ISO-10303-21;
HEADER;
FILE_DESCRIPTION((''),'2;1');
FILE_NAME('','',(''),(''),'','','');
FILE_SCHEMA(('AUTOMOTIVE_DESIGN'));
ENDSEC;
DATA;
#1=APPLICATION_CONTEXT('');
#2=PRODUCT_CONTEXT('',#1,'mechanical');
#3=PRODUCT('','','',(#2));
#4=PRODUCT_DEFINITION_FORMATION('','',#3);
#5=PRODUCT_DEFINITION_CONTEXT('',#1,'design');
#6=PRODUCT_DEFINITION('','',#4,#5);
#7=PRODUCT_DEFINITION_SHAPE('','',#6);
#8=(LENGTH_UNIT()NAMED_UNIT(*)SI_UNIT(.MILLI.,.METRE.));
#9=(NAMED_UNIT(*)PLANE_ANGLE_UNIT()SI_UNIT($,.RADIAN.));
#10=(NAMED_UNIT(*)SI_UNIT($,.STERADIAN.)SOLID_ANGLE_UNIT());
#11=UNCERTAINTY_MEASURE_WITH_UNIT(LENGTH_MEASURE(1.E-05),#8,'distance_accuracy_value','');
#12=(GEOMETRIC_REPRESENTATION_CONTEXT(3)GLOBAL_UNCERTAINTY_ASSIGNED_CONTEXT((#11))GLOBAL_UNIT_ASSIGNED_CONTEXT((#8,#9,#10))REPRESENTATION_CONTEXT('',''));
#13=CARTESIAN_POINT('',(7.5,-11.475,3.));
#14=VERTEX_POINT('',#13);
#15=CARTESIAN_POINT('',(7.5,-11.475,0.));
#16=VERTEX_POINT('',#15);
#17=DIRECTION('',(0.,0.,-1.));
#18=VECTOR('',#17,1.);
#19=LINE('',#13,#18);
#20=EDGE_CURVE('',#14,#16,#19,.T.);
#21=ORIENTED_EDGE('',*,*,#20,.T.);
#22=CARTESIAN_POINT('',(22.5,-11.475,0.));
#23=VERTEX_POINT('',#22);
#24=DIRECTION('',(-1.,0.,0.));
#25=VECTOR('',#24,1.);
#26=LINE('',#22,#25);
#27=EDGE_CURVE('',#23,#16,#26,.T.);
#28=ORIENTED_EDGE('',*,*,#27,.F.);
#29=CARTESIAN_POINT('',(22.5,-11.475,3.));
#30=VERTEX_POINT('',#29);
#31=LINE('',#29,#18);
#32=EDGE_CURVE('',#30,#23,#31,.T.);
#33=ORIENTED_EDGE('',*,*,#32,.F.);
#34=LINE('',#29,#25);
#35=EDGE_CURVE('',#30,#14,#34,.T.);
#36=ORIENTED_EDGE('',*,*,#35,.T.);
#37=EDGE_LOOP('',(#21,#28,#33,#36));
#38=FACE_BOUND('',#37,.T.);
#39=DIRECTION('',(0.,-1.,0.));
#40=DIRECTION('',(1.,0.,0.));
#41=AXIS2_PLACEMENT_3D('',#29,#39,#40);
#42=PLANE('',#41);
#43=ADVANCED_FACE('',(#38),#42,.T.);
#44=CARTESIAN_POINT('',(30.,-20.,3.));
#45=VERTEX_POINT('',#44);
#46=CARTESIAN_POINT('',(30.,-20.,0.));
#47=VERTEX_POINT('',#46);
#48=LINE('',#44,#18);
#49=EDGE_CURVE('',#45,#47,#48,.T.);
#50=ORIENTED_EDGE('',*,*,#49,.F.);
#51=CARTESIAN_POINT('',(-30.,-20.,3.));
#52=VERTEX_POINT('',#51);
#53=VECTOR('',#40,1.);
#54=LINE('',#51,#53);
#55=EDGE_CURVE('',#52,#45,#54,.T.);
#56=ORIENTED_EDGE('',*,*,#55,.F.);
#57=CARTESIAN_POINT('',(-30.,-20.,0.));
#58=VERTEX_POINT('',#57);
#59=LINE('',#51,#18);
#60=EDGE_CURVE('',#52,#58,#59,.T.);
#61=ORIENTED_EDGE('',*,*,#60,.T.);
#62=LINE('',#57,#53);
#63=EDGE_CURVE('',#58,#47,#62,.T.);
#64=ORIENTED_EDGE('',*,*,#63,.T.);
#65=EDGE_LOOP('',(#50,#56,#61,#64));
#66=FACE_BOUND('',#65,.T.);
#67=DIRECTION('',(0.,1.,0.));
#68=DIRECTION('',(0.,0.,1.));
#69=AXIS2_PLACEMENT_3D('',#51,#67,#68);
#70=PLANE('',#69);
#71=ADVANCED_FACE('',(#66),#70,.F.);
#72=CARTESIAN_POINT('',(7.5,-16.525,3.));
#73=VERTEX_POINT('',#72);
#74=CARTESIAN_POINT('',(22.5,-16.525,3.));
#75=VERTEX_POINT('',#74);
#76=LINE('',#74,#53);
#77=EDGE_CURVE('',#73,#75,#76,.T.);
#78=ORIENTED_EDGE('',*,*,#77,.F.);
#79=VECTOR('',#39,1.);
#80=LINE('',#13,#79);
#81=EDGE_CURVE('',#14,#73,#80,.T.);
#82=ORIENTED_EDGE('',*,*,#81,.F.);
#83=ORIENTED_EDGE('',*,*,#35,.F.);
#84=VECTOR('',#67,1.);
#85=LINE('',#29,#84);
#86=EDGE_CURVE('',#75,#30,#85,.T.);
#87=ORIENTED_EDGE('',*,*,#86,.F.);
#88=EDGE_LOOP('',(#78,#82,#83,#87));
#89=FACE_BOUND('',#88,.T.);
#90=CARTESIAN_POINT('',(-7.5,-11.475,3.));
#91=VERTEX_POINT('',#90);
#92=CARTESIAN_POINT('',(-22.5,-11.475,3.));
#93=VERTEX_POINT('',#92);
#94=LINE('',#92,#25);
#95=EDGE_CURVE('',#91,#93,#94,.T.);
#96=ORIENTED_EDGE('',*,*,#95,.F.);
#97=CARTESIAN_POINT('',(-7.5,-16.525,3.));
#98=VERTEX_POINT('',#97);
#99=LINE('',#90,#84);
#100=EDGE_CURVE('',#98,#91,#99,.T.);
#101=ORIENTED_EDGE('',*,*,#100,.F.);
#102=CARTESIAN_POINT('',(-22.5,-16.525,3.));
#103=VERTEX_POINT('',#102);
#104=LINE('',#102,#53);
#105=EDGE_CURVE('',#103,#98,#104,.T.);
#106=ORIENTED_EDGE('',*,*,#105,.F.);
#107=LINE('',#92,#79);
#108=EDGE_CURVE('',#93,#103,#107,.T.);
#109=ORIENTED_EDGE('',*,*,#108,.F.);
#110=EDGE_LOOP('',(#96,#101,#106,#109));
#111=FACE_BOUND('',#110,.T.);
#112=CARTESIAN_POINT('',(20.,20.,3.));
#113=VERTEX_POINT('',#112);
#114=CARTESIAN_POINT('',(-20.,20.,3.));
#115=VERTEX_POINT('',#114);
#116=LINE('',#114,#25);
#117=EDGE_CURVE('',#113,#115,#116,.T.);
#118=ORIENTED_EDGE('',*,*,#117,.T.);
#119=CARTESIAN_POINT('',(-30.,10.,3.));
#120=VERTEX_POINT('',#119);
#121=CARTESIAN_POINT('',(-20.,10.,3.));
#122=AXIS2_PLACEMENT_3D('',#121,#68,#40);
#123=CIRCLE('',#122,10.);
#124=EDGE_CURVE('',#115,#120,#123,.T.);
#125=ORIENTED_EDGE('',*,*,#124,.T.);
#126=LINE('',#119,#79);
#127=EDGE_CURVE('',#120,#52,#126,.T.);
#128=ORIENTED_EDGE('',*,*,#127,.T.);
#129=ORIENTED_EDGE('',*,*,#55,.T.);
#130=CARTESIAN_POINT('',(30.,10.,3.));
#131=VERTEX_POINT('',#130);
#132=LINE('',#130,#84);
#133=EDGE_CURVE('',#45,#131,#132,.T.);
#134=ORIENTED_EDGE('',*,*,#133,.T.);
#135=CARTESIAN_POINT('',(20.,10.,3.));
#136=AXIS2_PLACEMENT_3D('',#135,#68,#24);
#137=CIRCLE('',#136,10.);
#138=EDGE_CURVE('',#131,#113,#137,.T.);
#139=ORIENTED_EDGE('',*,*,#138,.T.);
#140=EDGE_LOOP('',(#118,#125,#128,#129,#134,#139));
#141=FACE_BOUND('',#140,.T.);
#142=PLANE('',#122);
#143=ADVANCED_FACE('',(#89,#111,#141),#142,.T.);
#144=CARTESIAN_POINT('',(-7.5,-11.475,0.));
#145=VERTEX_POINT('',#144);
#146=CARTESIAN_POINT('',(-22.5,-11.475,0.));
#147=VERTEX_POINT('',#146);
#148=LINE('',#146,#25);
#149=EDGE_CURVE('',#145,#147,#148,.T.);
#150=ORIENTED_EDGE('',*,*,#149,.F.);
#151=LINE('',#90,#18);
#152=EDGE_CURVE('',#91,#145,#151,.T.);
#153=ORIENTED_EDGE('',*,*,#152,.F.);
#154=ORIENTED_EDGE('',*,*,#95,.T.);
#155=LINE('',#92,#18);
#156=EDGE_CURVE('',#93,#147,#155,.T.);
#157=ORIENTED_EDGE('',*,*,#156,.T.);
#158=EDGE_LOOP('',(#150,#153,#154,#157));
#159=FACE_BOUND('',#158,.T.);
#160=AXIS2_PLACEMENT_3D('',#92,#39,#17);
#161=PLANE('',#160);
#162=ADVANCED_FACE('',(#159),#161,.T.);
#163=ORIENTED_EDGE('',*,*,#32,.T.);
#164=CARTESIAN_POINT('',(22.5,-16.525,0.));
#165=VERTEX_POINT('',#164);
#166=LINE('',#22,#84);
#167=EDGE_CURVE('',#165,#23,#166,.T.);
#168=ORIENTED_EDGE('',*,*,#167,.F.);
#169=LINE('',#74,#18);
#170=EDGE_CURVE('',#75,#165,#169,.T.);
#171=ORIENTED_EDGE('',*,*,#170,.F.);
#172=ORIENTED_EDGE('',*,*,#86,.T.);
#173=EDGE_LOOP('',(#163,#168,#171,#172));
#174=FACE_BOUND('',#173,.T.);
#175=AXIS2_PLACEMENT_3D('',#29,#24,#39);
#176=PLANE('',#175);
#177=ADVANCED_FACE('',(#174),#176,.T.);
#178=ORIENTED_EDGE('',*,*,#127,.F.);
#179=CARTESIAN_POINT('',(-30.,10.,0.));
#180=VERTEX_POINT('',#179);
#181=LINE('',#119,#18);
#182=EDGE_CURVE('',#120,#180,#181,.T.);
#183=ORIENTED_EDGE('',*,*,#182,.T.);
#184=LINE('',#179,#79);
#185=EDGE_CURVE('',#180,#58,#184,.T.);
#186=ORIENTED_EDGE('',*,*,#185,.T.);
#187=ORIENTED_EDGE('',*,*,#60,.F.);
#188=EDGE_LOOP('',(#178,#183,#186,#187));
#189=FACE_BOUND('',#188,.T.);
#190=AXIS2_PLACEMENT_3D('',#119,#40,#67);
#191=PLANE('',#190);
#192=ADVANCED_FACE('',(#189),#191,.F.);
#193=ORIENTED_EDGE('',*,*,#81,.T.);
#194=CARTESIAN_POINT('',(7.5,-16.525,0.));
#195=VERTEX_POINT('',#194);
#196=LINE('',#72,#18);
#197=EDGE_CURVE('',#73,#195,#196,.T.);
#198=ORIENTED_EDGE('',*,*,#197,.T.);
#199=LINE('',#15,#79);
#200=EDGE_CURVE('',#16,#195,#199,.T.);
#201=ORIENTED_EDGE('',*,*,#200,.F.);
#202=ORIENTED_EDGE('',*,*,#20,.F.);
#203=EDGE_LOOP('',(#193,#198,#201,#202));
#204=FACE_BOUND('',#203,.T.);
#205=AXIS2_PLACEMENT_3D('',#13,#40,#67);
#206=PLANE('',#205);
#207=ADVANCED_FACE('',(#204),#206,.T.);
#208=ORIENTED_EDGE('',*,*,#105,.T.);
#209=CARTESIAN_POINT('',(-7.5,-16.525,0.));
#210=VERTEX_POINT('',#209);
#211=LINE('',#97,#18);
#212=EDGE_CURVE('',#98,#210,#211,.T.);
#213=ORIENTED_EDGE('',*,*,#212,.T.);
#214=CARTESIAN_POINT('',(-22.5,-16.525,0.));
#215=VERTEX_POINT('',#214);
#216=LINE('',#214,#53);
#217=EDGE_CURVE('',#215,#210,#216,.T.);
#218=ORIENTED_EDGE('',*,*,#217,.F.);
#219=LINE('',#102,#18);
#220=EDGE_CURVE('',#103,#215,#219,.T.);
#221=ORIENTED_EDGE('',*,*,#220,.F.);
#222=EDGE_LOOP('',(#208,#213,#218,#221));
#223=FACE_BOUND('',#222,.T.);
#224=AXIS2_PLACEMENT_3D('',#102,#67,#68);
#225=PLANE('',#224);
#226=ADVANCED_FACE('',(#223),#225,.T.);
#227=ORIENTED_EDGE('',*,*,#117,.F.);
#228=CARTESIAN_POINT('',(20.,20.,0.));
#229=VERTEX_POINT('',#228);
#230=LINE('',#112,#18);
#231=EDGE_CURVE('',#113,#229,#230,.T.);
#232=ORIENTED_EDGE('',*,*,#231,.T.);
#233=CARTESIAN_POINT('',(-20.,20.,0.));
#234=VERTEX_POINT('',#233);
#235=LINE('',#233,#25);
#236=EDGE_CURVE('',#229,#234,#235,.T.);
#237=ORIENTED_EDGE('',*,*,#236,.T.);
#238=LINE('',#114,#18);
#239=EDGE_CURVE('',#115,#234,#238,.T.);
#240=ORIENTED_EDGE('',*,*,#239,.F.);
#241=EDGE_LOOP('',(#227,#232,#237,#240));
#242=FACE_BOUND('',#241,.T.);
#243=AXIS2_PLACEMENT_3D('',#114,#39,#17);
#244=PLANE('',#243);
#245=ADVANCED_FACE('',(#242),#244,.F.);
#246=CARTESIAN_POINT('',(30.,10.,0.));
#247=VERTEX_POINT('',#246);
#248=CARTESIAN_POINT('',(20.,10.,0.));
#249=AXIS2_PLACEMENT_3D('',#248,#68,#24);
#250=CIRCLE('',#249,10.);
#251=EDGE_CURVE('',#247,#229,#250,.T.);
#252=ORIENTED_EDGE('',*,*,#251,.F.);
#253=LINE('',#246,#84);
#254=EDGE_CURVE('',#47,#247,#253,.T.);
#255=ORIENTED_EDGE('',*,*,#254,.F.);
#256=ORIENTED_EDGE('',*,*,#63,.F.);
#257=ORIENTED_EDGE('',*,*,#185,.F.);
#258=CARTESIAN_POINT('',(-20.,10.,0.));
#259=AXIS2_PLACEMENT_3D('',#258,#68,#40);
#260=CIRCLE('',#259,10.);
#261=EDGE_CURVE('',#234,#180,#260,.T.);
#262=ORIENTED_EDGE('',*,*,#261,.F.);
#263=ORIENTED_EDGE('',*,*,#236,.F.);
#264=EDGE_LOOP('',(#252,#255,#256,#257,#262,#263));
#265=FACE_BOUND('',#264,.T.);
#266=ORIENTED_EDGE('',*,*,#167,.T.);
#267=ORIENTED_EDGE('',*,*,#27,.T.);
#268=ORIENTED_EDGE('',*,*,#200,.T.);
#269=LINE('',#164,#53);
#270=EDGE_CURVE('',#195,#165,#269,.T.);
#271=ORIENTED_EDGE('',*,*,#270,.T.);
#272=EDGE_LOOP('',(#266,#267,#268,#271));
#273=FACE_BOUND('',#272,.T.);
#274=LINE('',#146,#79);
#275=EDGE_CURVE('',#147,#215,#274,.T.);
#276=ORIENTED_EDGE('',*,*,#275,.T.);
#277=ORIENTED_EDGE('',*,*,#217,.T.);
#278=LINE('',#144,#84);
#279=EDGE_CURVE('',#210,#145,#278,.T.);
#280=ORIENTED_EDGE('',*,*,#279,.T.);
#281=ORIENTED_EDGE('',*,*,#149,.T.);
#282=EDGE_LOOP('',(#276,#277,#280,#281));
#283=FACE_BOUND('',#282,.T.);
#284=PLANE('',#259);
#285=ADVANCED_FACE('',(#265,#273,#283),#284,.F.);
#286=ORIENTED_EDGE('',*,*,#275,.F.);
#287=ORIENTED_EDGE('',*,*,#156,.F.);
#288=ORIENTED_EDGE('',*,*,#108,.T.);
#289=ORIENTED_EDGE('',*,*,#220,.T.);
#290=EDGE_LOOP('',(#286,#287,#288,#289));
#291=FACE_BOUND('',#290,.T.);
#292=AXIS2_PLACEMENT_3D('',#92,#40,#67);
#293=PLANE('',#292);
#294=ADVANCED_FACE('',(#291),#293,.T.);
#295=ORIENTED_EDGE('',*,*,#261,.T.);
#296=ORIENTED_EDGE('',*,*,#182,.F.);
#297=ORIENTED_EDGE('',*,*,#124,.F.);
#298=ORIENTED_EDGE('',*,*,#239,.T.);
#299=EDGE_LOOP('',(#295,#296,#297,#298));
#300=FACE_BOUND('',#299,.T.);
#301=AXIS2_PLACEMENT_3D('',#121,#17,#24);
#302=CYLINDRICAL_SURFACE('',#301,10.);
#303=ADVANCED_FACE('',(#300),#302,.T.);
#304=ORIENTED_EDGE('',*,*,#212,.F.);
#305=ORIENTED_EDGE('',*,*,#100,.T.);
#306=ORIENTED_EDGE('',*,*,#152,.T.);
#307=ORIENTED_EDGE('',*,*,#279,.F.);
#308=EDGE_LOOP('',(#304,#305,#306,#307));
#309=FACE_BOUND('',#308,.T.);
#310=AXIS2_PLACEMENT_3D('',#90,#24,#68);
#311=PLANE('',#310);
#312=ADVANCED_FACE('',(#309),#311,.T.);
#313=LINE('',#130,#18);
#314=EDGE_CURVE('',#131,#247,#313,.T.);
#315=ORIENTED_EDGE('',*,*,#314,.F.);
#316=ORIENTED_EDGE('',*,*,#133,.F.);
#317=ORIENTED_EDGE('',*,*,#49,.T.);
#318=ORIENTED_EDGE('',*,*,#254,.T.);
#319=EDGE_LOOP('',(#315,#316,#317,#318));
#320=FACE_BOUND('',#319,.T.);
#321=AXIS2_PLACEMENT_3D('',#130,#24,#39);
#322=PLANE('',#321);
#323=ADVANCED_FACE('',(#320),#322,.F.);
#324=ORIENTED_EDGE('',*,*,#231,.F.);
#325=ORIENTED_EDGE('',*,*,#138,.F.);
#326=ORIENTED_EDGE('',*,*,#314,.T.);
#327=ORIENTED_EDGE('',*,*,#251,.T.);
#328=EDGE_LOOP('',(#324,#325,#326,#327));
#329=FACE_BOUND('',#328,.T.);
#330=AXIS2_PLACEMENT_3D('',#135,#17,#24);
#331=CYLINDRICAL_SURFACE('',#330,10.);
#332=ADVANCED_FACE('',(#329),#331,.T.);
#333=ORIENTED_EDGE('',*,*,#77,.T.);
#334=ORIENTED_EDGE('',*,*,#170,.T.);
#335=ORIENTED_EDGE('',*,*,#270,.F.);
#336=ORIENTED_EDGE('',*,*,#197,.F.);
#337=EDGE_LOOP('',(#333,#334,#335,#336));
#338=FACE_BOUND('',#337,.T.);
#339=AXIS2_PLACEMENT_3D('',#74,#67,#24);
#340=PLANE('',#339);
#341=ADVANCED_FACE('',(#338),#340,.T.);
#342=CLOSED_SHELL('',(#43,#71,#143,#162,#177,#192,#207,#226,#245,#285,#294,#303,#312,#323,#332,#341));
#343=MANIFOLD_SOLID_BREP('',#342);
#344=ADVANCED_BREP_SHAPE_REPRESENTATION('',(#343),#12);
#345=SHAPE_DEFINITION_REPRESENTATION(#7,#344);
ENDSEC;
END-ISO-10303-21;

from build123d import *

# Parameters (mm, degrees)
ESQUISSE1_W        = 15
ESQUISSE1_H        = 5.05
BOSS_EXTRU_1_DEPTH = 3


with BuildPart() as part:
    # Esquisse1 → Boss.-Extru.1 (new body)
    with BuildSketch(Plane.XY):
        with BuildLine():
            Line((-20, 20), (20, 20))
            ThreePointArc((20, 20), (27.071067812, 17.071067812), (30, 10))
            Line((30, 10), (30, -20))
            Line((30, -20), (-30, -20))
            Line((-30, -20), (-30, 10))
            ThreePointArc((-30, 10), (-27.071067812, 17.071067812), (-20, 20))
        make_face()
        with Locations((15, -14)):
            Rectangle(ESQUISSE1_W, ESQUISSE1_H, mode=Mode.SUBTRACT)
        with Locations((-15, -14)):
            Rectangle(ESQUISSE1_W, ESQUISSE1_H, mode=Mode.SUBTRACT)
    extrude(amount=BOSS_EXTRU_1_DEPTH)


solid = part.part
